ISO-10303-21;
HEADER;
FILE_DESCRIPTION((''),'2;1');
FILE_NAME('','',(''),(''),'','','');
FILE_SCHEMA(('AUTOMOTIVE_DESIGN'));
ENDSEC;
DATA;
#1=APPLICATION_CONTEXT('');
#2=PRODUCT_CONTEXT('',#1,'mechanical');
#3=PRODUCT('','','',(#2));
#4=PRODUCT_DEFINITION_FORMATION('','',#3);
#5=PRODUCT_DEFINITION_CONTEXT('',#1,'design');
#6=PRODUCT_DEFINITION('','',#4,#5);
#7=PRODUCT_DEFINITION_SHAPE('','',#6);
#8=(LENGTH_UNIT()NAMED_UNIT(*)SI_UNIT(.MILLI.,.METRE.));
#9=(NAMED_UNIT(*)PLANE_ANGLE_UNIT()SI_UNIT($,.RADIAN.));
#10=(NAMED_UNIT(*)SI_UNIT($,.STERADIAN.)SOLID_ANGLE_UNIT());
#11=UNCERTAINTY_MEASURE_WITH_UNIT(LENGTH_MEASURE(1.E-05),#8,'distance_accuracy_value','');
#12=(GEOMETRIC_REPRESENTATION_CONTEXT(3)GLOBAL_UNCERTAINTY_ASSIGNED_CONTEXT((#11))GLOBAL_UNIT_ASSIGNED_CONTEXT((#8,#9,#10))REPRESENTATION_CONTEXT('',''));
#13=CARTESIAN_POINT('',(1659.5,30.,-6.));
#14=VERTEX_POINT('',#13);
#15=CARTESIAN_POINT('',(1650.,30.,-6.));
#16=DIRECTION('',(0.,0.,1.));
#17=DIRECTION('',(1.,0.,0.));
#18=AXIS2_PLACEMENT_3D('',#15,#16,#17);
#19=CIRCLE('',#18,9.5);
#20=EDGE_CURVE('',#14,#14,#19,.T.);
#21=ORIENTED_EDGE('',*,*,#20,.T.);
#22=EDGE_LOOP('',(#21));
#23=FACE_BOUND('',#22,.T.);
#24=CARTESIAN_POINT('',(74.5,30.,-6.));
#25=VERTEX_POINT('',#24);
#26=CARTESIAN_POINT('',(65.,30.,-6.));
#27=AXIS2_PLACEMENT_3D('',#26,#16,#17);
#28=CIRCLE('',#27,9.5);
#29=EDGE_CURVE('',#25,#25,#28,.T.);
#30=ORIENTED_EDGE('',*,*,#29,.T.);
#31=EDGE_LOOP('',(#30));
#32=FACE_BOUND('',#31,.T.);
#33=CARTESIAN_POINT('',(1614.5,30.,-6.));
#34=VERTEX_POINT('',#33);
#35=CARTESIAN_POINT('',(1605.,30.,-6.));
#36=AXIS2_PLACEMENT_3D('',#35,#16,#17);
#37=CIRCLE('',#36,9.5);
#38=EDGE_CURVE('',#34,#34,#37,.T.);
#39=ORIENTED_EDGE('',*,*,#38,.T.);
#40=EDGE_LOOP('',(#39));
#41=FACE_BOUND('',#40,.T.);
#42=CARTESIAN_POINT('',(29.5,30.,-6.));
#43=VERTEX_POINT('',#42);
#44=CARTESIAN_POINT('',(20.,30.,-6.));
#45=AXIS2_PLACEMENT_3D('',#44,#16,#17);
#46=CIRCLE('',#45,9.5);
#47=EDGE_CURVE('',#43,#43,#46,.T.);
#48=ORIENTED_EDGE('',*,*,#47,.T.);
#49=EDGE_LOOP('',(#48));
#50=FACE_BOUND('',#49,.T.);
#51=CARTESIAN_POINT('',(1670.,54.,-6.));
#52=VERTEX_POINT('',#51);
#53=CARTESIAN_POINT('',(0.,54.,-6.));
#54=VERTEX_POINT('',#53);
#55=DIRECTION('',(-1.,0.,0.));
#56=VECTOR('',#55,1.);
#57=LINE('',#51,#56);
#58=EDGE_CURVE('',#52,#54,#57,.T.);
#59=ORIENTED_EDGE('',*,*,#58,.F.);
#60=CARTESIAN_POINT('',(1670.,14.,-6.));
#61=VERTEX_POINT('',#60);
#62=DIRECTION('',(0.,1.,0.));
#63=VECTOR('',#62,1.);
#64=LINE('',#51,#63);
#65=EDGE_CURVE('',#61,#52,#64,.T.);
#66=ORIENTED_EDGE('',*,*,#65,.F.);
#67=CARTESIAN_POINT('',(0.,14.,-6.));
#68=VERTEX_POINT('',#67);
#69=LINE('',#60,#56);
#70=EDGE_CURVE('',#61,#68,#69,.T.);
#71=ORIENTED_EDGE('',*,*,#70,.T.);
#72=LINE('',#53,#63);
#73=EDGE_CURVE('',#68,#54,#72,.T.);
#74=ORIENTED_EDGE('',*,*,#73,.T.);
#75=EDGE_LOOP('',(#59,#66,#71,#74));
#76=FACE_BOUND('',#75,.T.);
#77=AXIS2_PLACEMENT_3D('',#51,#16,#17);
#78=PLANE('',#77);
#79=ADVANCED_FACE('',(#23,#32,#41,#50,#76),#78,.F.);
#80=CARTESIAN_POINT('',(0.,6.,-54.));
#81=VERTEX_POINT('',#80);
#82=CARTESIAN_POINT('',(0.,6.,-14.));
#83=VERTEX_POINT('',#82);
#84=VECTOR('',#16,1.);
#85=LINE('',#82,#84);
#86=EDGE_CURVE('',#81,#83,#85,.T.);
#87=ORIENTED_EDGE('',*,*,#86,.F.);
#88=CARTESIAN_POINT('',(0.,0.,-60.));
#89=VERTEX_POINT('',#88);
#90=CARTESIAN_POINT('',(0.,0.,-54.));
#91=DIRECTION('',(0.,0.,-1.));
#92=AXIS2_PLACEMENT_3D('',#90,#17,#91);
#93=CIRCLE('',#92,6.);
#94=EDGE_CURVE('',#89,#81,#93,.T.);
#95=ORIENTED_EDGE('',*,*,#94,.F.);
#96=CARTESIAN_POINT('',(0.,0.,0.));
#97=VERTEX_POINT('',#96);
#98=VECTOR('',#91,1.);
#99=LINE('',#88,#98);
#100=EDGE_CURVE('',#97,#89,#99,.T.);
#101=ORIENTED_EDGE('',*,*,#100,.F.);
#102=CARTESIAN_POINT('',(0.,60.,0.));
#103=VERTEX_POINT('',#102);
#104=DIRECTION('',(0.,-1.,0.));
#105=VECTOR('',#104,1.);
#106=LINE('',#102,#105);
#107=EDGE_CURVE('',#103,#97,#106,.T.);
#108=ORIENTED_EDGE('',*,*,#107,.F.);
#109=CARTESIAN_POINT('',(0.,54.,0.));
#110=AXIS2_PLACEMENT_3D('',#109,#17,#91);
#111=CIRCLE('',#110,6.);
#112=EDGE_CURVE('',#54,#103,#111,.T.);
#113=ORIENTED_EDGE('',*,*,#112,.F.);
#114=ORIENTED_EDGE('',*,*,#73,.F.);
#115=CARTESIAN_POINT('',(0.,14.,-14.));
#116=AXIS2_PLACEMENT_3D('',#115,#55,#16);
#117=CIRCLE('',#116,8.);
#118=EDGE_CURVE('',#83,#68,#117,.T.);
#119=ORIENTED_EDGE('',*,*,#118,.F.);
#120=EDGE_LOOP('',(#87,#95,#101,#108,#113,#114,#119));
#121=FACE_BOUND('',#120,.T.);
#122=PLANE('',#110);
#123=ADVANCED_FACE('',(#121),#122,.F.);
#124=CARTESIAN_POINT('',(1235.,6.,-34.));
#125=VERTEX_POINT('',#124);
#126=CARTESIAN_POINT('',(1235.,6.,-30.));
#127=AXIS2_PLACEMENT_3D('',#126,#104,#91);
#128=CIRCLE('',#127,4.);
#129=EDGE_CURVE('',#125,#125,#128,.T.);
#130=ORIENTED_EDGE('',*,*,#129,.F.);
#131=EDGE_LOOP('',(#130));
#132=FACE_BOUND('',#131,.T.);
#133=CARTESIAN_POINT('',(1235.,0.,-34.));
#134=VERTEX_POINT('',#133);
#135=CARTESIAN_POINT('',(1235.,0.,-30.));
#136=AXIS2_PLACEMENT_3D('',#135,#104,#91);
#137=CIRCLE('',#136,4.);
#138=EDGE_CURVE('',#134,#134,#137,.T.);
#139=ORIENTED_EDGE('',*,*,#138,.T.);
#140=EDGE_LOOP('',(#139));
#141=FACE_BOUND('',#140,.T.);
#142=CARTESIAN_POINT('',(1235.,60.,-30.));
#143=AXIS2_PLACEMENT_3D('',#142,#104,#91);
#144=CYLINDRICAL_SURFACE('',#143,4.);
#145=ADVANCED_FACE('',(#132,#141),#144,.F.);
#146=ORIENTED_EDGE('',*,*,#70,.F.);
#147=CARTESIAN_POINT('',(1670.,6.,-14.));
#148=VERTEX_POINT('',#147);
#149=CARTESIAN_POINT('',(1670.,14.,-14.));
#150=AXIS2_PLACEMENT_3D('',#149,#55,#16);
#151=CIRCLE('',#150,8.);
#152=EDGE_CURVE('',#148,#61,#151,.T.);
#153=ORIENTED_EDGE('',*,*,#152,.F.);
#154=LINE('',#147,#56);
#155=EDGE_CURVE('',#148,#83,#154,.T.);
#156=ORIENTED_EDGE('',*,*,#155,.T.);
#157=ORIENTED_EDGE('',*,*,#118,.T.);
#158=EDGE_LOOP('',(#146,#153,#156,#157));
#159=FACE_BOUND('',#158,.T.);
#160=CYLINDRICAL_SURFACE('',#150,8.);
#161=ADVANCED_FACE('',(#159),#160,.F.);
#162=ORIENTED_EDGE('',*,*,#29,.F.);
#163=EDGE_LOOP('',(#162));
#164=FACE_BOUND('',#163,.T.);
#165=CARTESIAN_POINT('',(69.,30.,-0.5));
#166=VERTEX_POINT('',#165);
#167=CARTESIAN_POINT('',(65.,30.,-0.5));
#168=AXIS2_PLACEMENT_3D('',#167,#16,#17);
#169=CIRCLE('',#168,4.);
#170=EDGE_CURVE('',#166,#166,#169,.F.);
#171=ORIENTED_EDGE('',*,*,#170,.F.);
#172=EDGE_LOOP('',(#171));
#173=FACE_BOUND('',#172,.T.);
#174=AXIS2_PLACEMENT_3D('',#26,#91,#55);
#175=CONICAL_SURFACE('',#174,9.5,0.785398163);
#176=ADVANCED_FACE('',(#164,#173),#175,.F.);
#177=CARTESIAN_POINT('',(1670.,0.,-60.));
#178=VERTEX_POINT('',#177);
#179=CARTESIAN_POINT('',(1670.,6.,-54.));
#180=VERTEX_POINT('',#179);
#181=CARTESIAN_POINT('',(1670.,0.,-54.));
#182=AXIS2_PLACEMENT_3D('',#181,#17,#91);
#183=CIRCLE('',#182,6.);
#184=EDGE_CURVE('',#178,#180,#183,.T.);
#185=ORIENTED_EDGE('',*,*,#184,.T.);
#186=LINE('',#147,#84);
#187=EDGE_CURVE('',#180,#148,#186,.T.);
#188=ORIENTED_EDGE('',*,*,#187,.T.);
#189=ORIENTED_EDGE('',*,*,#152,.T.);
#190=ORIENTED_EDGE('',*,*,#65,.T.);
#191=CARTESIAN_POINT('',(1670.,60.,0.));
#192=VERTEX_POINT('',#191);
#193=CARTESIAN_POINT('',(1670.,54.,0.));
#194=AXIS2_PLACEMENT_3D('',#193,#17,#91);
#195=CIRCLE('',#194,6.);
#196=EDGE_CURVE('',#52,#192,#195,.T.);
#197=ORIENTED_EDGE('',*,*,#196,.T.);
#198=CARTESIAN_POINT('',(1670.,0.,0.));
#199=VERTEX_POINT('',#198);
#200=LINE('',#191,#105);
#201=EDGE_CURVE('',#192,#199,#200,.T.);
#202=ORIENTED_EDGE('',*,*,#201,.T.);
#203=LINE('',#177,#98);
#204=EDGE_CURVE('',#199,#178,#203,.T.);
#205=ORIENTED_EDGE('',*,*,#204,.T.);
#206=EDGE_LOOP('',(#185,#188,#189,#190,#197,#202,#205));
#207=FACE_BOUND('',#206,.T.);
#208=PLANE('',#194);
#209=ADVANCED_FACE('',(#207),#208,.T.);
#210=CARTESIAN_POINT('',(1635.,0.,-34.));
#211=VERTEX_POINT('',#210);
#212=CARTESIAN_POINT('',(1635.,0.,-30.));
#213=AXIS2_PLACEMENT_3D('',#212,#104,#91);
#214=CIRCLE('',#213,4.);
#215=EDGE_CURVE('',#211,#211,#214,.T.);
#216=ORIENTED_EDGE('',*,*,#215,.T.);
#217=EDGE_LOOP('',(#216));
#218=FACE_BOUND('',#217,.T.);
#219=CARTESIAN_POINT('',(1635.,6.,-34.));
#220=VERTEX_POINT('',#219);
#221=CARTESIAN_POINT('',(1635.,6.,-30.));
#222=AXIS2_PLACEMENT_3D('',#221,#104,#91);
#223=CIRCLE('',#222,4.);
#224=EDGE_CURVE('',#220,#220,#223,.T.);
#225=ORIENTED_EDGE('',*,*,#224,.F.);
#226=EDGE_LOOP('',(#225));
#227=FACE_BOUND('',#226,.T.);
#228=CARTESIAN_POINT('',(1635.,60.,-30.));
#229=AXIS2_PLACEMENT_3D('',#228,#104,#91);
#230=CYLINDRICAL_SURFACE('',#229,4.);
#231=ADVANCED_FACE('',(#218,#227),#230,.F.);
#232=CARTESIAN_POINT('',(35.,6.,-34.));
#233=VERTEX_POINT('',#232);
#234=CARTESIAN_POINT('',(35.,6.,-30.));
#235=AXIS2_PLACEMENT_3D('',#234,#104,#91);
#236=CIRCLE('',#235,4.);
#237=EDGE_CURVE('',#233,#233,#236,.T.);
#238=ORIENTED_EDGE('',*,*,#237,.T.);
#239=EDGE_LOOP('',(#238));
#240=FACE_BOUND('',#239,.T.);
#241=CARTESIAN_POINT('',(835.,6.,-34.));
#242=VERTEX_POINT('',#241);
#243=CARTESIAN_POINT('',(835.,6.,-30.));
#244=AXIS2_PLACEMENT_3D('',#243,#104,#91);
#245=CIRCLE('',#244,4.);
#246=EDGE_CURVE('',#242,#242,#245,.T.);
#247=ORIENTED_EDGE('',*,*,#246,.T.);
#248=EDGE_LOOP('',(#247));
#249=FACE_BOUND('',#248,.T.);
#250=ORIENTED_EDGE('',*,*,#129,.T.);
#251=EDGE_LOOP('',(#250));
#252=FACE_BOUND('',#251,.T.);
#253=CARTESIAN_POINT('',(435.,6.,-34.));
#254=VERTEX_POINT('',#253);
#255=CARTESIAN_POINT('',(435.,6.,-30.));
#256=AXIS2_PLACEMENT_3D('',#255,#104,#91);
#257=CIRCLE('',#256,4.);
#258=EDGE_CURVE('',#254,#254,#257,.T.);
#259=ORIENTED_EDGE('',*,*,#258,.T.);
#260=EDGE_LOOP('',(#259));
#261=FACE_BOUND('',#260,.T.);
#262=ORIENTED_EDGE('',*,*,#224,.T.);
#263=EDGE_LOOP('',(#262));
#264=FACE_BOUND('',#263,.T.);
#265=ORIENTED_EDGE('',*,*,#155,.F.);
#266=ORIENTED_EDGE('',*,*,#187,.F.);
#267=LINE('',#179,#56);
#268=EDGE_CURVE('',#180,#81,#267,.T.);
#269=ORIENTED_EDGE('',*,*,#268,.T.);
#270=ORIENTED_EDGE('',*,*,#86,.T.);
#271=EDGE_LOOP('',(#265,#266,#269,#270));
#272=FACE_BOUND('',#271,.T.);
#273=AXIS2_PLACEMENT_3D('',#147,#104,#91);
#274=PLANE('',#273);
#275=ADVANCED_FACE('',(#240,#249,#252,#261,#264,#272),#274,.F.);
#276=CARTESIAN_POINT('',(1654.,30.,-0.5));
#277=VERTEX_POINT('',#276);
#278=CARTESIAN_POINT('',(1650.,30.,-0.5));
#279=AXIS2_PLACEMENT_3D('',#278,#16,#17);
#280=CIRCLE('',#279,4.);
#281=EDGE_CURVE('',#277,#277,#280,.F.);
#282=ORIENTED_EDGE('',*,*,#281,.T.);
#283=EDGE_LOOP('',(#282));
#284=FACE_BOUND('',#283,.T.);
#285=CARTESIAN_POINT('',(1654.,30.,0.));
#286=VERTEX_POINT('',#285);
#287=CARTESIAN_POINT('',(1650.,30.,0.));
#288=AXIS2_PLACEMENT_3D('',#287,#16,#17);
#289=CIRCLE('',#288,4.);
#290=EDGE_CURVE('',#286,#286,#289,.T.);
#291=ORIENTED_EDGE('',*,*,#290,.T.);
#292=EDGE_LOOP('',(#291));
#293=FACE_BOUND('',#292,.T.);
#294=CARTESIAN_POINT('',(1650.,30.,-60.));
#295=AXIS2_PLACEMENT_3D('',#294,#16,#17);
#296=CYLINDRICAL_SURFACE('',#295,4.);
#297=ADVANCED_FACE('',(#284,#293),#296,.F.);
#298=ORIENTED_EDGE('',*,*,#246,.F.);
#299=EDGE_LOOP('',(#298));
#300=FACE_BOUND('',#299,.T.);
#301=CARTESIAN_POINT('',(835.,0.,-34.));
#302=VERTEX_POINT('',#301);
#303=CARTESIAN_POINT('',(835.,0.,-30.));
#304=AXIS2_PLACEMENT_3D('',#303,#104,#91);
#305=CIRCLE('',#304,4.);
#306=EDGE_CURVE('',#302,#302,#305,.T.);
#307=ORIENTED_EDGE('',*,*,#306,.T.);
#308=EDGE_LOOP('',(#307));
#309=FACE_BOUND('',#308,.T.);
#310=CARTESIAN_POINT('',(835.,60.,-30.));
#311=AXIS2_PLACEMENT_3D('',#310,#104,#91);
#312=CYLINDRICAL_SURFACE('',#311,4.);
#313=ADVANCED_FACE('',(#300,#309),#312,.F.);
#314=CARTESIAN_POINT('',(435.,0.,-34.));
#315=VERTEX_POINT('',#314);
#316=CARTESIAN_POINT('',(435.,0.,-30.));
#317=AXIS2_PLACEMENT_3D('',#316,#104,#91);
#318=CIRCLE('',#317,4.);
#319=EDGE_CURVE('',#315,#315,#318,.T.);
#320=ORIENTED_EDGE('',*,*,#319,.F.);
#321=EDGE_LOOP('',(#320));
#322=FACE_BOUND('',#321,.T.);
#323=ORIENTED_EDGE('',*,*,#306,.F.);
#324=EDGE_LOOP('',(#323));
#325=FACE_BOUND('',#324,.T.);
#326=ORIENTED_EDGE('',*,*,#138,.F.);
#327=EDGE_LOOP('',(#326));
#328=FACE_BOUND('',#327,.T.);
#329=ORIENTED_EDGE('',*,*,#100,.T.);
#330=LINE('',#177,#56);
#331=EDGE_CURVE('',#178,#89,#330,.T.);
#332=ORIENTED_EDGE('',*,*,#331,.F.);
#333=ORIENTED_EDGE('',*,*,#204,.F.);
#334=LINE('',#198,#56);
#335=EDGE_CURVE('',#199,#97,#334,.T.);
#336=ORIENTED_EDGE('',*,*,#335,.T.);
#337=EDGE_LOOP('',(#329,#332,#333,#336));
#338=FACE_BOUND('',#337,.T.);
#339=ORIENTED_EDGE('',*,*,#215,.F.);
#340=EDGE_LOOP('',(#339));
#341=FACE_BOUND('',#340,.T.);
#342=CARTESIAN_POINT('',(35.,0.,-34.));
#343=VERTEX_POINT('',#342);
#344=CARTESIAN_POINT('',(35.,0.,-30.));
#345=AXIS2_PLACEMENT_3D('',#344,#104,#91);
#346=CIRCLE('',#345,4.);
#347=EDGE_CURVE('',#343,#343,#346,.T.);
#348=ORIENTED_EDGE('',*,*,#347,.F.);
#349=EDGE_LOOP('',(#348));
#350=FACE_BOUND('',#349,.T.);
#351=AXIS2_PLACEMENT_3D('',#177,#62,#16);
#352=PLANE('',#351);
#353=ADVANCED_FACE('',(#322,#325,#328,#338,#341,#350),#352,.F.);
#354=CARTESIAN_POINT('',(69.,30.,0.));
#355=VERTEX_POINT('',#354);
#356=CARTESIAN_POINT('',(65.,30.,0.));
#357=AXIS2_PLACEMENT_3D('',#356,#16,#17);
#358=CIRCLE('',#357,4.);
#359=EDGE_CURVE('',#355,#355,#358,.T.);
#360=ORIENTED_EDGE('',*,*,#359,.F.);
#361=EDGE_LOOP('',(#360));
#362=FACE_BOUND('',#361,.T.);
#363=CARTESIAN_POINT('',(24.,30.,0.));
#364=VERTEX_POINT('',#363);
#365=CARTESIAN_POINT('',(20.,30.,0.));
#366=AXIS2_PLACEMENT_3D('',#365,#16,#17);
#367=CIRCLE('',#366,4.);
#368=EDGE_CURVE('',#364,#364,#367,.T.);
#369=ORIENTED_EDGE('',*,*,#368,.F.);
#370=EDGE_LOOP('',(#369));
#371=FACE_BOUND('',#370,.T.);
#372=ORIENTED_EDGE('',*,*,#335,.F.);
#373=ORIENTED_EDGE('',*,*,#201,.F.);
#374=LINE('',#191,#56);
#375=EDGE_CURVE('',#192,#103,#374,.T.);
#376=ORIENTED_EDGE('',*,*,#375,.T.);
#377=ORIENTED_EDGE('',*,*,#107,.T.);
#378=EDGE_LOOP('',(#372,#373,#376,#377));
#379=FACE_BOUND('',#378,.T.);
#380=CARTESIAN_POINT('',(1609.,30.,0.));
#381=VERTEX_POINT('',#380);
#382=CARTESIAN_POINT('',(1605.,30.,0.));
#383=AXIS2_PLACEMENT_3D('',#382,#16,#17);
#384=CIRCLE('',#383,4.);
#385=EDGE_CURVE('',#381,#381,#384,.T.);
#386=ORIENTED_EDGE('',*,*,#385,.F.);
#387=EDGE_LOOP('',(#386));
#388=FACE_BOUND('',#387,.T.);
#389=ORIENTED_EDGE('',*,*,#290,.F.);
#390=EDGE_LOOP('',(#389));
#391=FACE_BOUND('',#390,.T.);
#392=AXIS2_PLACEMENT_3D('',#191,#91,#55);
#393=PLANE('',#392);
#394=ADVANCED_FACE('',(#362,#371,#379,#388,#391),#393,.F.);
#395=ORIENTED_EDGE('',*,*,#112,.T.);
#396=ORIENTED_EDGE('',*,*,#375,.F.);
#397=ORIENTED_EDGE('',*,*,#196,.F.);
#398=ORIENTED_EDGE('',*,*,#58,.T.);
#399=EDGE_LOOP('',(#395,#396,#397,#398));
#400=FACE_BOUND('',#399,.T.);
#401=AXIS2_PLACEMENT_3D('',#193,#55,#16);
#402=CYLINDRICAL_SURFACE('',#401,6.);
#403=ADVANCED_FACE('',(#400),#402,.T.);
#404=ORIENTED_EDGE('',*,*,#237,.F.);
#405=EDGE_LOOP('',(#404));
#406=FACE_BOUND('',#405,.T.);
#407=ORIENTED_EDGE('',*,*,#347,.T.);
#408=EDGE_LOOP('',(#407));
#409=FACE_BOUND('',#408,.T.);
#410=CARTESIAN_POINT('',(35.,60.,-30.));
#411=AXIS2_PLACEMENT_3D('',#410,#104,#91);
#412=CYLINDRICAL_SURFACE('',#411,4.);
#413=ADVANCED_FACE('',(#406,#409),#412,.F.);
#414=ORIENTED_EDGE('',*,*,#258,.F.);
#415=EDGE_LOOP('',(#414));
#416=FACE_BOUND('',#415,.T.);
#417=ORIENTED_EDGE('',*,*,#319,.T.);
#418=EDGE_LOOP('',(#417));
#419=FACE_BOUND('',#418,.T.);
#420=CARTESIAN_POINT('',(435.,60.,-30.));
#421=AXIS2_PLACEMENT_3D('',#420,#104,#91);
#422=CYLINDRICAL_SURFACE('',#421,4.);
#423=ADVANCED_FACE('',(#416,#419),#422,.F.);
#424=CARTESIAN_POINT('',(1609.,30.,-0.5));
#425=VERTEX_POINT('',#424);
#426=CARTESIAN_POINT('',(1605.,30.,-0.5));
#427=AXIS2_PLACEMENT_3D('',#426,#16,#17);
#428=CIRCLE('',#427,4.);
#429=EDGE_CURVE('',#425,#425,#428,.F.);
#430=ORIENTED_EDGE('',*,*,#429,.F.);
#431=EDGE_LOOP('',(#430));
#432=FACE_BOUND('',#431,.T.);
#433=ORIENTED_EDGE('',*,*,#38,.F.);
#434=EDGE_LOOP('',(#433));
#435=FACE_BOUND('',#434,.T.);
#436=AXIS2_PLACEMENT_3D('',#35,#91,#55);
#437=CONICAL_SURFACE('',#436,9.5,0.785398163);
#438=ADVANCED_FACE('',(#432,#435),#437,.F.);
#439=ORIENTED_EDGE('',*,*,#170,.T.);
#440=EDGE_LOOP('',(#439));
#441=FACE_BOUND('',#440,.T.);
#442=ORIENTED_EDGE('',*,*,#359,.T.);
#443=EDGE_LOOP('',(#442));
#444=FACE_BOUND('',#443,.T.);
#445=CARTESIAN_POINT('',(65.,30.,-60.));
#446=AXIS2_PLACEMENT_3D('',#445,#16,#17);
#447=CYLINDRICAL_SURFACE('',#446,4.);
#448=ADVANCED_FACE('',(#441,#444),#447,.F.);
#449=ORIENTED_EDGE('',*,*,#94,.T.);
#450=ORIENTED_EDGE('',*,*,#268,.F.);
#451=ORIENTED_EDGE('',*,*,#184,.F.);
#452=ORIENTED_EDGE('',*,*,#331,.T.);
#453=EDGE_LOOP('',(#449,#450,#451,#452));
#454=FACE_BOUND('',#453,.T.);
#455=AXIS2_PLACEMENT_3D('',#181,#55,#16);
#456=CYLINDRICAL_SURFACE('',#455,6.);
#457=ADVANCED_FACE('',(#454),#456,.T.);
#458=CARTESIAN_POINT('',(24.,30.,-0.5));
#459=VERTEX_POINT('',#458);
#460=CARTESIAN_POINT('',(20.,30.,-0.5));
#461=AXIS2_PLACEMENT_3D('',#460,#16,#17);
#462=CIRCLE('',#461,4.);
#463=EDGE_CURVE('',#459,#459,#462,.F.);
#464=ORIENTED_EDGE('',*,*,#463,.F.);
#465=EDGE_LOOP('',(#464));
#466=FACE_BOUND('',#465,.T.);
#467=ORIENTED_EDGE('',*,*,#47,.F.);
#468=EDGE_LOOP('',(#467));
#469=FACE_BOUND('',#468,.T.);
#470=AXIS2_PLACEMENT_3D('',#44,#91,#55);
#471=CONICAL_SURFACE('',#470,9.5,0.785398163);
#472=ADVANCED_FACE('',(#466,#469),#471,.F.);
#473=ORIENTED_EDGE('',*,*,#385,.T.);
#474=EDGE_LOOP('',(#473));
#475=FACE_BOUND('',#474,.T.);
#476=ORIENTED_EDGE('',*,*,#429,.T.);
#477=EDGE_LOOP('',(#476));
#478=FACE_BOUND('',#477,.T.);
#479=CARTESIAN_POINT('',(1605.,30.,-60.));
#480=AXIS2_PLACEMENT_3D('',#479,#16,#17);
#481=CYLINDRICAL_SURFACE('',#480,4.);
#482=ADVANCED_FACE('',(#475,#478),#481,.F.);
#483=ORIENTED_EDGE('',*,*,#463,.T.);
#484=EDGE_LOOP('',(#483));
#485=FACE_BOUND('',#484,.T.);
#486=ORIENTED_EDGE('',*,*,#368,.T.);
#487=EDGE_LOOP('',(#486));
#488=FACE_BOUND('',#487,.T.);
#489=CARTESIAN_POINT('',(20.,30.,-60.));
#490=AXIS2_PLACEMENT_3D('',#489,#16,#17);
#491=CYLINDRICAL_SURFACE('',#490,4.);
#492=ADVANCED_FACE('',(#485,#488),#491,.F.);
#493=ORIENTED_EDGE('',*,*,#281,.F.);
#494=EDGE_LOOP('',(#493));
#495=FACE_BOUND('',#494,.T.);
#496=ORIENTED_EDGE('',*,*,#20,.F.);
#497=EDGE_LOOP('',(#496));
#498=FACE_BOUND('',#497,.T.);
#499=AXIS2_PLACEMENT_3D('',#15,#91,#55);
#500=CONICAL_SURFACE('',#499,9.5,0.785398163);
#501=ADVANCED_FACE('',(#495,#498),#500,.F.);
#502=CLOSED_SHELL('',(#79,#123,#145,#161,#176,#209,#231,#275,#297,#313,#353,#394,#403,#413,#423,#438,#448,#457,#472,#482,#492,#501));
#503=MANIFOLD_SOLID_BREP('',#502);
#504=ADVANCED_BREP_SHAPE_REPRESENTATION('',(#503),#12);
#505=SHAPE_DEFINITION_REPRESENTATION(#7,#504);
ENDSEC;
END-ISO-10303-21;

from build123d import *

# Parameters (mm, degrees)
L_ANGLE_EQUAL_60X60X6_6_DEPTH = 1670
SKETCH14_R                    = 4
CUT_EXTRUDE1_DEPTH            = 1673.1542991
CHAMFER1_SIZE                 = 5.5
SKETCH18_R                    = 4
CUT_EXTRUDE2_DEPTH            = 1673.1542991
LPATTERN1_COUNT               = 5
LPATTERN1_PITCH               = 400
LPATTERN1_COUNT_DIR2          = 5
LPATTERN1_PITCH_DIR2          = 400


with BuildPart() as part:
    # Sketch17 → L angle (equal) 60X60X6(6) (new body)
    with BuildSketch(Plane(origin=(0, 0, 0), x_dir=(0, 0, -1), z_dir=(1, 0, 0))):
        with BuildLine():
            Line((0, 60), (0, 0))
            Line((0, 0), (60, 0))
            ThreePointArc((60, 0), (58.242640687, 4.242640687), (54, 6))
            Line((54, 6), (14, 6))
            ThreePointArc((14, 6), (8.343145751, 8.343145751), (6, 14))
            Line((6, 14), (6, 54))
            ThreePointArc((6, 54), (4.242640687, 58.242640687), (0, 60))
        make_face()
    extrude(amount=L_ANGLE_EQUAL_60X60X6_6_DEPTH)

    # Sketch14 → Cut-Extrude1 (cut, through all)
    with BuildSketch(Plane.XY):
        with Locations((65, 30)):
            Circle(SKETCH14_R)
        with Locations((1605, 30)):
            Circle(SKETCH14_R)
        with Locations((1650, 30)):
            Circle(SKETCH14_R)
        with Locations((20, 30)):
            Circle(SKETCH14_R)
    extrude(amount=-CUT_EXTRUDE1_DEPTH, mode=Mode.SUBTRACT)

    # Chamfer1
    chamfer1_edges = [part.edges().sort_by_distance(p)[0] for p in [
        (16, 30, -6),
        (1646, 30, -6),
        (1601, 30, -6),
        (61, 30, -6),
    ]]
    chamfer(chamfer1_edges, length=CHAMFER1_SIZE)

    # Sketch18 → Cut-Extrude2 (cut, through all)
    with BuildSketch(Plane(origin=(0, 0, 0), x_dir=(-1, 0, 0), z_dir=(0, -1, 0))):
        with Locations(Location((-35, 30, 0), (0, 0, 90))):
            Circle(SKETCH18_R)
    cut_extrude2 = extrude(amount=-CUT_EXTRUDE2_DEPTH, mode=Mode.SUBTRACT)

    # LPattern1: Cut-Extrude2 5 × 5
    with Locations(*[(i * LPATTERN1_PITCH, -j * LPATTERN1_PITCH_DIR2, 0) for i in range(LPATTERN1_COUNT) for j in range(LPATTERN1_COUNT_DIR2) if (i, j) != (0, 0)]):
        add(cut_extrude2, mode=Mode.SUBTRACT)


solid = part.part
